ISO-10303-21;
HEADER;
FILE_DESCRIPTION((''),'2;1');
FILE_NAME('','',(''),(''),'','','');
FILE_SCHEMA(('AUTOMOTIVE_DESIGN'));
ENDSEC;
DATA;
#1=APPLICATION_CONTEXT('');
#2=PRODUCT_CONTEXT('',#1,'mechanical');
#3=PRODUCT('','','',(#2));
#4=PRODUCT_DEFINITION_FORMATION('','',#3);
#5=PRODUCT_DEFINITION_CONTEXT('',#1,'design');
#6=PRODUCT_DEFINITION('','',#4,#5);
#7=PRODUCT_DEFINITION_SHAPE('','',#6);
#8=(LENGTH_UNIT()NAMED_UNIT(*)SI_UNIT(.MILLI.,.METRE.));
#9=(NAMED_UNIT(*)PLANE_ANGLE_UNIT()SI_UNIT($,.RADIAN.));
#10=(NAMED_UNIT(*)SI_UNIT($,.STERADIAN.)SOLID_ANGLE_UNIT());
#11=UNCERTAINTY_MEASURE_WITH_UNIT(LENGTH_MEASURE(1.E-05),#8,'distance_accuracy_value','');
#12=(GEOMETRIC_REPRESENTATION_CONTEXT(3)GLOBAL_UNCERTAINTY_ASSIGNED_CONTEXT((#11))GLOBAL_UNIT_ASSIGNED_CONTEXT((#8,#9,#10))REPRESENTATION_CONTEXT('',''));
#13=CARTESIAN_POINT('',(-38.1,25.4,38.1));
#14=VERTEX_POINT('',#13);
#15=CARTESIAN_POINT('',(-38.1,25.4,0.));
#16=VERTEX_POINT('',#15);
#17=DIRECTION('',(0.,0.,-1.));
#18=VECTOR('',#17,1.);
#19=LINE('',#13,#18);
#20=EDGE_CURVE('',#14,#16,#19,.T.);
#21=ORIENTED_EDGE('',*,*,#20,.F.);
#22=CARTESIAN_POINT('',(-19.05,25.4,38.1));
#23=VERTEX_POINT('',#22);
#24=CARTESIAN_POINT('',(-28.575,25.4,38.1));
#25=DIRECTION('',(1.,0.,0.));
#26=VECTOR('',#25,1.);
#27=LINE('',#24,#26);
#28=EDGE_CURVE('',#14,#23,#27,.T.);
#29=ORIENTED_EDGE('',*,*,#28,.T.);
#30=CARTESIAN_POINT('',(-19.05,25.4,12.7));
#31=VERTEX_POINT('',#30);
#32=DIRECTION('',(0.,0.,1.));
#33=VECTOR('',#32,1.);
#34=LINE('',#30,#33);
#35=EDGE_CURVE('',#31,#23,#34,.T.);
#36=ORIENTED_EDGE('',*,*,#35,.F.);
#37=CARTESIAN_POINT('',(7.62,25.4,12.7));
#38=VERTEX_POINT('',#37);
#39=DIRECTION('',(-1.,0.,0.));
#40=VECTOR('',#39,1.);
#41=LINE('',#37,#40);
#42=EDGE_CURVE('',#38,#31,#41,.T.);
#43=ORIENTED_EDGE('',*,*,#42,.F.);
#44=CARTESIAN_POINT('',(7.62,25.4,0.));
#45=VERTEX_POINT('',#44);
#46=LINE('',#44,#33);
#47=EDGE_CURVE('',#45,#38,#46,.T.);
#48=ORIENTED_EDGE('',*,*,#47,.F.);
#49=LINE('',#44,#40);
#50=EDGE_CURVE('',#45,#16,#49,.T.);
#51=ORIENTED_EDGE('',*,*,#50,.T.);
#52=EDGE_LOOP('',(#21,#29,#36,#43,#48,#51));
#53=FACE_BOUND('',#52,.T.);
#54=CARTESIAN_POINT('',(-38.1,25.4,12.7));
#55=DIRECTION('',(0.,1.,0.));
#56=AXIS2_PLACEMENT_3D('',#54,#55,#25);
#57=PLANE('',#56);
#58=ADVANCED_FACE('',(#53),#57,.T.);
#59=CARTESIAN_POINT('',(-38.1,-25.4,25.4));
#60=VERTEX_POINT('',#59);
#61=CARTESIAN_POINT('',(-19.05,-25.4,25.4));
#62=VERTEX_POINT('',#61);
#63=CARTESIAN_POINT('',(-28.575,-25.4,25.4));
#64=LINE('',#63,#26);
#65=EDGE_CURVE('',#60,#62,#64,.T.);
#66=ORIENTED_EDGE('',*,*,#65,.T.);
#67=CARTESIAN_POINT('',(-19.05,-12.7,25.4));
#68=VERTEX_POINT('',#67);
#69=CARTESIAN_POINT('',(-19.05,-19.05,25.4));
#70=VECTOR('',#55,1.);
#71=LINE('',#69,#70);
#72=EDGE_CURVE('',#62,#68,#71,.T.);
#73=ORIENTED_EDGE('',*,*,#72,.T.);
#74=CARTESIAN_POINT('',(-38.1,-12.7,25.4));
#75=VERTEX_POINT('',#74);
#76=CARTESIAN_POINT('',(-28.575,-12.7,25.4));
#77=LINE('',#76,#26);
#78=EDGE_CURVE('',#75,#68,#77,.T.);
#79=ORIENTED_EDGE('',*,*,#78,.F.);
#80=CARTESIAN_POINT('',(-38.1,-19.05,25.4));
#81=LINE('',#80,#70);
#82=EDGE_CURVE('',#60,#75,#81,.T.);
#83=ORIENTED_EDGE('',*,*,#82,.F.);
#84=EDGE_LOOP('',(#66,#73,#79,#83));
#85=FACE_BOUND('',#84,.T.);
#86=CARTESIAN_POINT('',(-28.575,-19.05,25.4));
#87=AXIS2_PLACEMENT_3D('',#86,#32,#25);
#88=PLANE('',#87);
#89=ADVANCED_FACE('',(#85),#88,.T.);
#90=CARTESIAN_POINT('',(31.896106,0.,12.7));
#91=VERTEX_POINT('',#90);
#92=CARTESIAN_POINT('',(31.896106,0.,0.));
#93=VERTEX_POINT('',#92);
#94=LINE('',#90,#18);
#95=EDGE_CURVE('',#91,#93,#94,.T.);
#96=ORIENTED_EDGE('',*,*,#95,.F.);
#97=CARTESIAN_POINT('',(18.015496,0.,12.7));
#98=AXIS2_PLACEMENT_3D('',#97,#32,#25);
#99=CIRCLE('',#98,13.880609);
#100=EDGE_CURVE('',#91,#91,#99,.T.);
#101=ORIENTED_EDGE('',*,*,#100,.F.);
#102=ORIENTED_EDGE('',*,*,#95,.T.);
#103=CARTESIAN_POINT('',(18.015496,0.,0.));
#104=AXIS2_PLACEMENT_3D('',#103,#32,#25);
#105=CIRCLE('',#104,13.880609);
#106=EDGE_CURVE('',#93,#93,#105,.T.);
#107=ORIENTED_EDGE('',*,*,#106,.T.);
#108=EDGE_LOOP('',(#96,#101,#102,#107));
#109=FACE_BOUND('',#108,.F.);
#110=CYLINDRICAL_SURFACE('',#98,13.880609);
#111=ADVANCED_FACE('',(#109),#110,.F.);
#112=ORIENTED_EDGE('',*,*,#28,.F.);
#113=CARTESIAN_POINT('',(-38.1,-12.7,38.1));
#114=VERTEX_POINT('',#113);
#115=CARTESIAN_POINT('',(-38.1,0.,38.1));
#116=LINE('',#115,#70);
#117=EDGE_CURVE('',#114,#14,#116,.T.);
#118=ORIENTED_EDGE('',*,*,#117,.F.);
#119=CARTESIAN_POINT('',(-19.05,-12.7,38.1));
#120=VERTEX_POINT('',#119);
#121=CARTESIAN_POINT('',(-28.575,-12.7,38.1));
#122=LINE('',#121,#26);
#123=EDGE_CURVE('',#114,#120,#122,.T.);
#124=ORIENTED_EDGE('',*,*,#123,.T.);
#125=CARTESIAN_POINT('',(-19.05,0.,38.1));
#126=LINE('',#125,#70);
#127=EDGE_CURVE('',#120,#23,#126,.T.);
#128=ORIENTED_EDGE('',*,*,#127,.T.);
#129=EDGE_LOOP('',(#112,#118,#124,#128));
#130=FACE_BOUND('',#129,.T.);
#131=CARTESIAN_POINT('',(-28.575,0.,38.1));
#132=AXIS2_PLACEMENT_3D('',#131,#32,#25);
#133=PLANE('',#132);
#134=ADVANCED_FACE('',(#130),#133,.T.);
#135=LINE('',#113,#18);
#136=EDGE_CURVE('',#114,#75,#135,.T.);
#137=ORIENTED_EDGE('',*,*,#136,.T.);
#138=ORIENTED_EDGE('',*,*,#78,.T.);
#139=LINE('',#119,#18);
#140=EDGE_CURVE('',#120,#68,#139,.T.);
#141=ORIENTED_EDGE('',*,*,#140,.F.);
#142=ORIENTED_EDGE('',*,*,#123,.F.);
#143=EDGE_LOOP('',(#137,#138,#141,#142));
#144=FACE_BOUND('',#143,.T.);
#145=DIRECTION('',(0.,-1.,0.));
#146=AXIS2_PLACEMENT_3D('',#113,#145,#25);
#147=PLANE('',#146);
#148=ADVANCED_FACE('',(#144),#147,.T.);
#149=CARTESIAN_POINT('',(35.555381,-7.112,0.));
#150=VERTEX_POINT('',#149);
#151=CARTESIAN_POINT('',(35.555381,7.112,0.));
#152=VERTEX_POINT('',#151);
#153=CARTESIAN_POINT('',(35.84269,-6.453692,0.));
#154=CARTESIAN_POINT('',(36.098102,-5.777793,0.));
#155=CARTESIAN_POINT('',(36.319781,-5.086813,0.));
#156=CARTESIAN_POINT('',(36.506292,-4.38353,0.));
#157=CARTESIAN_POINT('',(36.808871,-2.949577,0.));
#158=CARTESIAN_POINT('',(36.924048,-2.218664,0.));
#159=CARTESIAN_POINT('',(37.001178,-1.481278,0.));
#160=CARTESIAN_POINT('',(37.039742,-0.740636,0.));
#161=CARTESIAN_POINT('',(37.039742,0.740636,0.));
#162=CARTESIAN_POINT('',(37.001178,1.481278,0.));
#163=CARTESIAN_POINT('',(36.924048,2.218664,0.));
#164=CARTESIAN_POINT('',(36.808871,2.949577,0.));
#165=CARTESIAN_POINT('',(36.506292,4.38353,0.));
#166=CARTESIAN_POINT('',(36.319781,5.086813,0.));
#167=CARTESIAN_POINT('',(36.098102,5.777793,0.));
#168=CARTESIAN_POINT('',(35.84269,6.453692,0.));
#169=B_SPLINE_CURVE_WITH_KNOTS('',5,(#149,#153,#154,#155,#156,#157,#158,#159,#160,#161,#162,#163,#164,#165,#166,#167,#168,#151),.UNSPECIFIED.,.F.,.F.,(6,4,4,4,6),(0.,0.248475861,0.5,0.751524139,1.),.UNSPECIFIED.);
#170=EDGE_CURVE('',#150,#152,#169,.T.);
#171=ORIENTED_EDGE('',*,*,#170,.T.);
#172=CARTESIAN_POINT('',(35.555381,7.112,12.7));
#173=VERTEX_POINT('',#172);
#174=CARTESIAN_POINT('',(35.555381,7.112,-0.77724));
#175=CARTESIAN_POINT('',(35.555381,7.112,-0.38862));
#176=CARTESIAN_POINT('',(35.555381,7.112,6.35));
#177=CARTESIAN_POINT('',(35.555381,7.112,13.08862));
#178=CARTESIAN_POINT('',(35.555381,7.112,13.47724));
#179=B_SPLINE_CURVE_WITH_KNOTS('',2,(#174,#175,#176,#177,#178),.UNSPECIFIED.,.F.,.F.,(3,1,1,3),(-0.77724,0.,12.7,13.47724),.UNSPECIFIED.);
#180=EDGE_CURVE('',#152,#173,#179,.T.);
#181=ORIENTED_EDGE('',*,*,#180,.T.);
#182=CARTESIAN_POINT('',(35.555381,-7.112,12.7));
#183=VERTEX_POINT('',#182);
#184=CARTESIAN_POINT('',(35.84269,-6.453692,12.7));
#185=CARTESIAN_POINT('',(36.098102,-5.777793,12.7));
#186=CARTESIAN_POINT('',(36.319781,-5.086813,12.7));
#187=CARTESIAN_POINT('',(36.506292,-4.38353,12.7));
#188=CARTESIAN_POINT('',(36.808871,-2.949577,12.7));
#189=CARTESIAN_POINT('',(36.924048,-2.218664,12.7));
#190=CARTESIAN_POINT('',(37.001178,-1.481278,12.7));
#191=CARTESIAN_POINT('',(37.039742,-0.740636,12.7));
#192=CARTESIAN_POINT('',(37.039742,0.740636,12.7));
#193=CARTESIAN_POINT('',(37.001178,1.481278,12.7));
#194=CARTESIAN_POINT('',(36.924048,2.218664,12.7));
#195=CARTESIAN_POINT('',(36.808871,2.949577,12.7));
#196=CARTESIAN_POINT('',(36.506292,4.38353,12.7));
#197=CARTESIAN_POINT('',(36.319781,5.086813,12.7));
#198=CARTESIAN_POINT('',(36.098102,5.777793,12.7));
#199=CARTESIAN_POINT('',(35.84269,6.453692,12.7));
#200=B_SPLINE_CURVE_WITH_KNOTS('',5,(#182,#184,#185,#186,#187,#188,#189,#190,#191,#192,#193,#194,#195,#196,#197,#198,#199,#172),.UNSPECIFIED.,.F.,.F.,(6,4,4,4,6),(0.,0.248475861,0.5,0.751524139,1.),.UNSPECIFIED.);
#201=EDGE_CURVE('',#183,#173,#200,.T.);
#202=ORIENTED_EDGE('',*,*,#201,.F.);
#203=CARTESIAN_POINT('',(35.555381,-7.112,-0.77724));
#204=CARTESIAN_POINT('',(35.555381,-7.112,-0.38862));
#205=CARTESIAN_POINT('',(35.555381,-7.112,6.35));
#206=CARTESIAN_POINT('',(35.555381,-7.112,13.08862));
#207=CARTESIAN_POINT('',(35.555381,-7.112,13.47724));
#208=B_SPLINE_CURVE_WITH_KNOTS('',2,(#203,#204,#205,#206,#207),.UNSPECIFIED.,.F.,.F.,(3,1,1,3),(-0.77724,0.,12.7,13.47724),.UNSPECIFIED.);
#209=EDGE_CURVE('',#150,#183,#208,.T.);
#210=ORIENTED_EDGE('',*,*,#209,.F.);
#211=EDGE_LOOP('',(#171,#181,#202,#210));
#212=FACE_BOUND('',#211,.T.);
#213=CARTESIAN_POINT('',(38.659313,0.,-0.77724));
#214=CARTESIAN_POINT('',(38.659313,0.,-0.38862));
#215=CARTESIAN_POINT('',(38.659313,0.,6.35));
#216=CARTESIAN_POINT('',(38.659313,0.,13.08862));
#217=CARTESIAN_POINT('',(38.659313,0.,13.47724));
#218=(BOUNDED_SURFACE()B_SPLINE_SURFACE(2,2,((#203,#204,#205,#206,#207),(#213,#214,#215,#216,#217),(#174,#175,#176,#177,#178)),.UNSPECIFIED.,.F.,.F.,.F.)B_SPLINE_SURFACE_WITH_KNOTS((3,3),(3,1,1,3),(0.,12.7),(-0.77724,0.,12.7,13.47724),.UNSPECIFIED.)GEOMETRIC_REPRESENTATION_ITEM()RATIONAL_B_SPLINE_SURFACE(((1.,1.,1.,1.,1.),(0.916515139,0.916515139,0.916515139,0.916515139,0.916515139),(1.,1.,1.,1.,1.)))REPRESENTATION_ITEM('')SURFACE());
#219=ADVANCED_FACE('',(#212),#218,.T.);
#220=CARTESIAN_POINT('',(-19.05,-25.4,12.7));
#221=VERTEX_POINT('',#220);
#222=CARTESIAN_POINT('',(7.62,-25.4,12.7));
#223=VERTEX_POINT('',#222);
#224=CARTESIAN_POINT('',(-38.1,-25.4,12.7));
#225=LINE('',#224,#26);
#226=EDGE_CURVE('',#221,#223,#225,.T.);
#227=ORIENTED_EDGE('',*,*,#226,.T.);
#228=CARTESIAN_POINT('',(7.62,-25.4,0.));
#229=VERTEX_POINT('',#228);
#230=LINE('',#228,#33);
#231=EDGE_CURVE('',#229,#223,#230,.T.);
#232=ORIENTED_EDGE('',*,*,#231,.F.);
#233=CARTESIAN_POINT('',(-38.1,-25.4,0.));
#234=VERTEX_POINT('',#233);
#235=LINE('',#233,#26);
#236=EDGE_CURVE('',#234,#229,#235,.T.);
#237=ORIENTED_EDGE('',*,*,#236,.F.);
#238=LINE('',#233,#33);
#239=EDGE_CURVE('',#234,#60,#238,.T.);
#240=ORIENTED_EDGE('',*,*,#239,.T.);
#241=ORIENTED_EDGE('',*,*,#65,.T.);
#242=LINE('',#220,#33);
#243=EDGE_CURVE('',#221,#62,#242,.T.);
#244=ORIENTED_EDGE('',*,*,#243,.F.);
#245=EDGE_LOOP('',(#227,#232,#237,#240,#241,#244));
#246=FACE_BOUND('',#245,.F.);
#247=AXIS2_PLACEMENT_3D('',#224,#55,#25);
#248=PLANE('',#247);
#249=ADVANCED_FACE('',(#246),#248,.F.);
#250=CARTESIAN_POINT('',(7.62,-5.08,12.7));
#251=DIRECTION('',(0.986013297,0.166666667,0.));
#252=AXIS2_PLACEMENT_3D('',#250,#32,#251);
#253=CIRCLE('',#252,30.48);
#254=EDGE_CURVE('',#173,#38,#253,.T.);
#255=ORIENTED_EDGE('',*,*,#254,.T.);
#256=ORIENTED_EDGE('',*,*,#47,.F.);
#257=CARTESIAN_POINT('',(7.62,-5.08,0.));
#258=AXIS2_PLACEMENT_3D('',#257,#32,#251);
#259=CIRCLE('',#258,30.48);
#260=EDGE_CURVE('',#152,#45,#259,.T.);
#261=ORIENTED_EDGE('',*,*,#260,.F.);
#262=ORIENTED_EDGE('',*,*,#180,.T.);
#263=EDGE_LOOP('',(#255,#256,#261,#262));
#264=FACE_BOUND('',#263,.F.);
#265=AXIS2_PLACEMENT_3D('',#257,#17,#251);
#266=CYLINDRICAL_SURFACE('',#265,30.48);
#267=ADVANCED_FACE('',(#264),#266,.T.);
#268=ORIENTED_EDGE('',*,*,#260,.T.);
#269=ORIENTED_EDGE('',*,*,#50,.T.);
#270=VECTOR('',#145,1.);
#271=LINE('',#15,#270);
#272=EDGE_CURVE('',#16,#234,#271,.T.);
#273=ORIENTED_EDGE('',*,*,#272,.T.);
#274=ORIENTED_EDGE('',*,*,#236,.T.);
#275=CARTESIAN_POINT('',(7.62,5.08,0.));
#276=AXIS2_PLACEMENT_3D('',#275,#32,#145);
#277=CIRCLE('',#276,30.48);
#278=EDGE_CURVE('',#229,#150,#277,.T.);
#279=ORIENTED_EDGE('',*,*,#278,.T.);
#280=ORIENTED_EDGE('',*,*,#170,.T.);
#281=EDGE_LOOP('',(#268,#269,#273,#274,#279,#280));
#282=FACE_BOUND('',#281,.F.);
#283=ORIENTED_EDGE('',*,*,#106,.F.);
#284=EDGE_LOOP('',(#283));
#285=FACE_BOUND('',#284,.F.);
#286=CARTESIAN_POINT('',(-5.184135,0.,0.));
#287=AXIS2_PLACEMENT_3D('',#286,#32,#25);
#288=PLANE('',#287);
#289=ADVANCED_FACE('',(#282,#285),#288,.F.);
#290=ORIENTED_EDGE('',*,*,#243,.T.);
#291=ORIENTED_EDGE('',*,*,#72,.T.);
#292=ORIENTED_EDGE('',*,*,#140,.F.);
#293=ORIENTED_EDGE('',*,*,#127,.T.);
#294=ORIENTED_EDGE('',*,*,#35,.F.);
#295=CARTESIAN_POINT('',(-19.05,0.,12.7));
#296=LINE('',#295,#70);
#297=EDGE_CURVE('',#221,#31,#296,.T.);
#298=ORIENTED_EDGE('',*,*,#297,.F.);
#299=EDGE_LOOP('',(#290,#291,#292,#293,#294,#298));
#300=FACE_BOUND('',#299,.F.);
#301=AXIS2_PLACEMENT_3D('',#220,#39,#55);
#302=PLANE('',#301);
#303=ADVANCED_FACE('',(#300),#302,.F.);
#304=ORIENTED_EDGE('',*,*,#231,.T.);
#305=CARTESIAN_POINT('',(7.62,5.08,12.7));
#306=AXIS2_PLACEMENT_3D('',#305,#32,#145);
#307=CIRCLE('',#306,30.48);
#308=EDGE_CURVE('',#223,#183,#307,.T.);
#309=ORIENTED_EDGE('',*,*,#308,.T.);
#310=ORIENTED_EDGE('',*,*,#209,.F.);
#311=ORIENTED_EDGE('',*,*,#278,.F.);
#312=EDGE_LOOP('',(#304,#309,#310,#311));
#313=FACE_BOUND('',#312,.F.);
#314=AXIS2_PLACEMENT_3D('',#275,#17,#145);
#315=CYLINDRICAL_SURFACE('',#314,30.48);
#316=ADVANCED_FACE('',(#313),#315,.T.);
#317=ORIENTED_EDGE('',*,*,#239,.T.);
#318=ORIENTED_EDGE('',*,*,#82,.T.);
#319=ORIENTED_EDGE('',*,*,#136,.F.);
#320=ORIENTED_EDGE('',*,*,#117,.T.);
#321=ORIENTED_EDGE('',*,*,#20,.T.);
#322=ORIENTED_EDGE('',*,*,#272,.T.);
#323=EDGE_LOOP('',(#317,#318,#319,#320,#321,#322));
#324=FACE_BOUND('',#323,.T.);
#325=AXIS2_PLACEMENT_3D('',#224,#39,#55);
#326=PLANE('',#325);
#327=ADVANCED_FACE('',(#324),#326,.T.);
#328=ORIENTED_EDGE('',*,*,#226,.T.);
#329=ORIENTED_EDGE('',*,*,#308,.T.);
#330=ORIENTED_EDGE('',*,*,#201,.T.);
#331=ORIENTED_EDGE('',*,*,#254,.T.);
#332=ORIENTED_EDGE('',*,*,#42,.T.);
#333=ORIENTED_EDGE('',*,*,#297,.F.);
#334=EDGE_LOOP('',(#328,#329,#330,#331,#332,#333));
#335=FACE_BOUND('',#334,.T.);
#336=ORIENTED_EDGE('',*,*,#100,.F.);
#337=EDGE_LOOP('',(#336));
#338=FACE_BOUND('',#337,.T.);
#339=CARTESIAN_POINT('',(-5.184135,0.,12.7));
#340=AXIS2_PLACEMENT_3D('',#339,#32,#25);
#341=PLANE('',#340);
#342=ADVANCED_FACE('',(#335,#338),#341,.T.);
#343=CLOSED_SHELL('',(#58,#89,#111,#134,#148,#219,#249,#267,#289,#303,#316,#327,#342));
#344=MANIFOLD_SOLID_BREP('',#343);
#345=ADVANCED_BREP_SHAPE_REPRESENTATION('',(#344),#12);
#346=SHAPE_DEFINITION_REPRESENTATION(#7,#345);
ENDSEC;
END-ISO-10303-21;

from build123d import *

# Parameters (mm, degrees)
F1_DEPTH = 12.7
F2_W     = 19.05
F2_H     = 50.8
F3_DEPTH = 25.4
F4_W     = 19.05
F4_H     = 12.7
F5_DEPTH = 12.7
F6_R     = 13.8806094442
F7_DEPTH = 12.7
F8_R     = 17.78


with BuildPart() as f1:
    # F0 (on Top) → F1 (new body)
    with BuildSketch(Plane.XY):
        with BuildLine():
            ThreePointArc((37.6736852981, 0), (27.2947553987, 18.1994845304), (7.62, 25.4))
            Line((7.62, 25.4), (-38.1, 25.4))
            Line((-38.1, 25.4), (-38.1, -25.4))
            Line((-38.1, -25.4), (7.62, -25.4))
            ThreePointArc((7.62, -25.4), (27.2947553987, -18.1994845304), (37.6736852981, 0))
        make_face()
    extrude(amount=F1_DEPTH)

    # F2 (on face) → F3 (join)
    with BuildSketch(Plane.XY.offset(12.7)):
        with Locations((-28.575, 0)):
            Rectangle(F2_W, F2_H)
    extrude(amount=F3_DEPTH)

    # F4 (on face) → F5 (cut)
    with BuildSketch(Plane.XY.offset(38.1)):
        with Locations((-28.575, -19.05)):
            Rectangle(F4_W, F4_H)
    extrude(amount=-F5_DEPTH, mode=Mode.SUBTRACT)

    # F6 (on face) → F7 (cut)
    with BuildSketch(Plane.XY.offset(12.7)):
        with Locations((18.0154964328, 0)):
            Circle(F6_R)
    extrude(amount=-F7_DEPTH, mode=Mode.SUBTRACT)

    # F8
    f8_edges = [f1.edges().sort_by_distance(p)[0] for p in [
        (37.673685, 0, 6.35),
    ]]
    fillet(f8_edges, radius=F8_R)


solid = f1.part
